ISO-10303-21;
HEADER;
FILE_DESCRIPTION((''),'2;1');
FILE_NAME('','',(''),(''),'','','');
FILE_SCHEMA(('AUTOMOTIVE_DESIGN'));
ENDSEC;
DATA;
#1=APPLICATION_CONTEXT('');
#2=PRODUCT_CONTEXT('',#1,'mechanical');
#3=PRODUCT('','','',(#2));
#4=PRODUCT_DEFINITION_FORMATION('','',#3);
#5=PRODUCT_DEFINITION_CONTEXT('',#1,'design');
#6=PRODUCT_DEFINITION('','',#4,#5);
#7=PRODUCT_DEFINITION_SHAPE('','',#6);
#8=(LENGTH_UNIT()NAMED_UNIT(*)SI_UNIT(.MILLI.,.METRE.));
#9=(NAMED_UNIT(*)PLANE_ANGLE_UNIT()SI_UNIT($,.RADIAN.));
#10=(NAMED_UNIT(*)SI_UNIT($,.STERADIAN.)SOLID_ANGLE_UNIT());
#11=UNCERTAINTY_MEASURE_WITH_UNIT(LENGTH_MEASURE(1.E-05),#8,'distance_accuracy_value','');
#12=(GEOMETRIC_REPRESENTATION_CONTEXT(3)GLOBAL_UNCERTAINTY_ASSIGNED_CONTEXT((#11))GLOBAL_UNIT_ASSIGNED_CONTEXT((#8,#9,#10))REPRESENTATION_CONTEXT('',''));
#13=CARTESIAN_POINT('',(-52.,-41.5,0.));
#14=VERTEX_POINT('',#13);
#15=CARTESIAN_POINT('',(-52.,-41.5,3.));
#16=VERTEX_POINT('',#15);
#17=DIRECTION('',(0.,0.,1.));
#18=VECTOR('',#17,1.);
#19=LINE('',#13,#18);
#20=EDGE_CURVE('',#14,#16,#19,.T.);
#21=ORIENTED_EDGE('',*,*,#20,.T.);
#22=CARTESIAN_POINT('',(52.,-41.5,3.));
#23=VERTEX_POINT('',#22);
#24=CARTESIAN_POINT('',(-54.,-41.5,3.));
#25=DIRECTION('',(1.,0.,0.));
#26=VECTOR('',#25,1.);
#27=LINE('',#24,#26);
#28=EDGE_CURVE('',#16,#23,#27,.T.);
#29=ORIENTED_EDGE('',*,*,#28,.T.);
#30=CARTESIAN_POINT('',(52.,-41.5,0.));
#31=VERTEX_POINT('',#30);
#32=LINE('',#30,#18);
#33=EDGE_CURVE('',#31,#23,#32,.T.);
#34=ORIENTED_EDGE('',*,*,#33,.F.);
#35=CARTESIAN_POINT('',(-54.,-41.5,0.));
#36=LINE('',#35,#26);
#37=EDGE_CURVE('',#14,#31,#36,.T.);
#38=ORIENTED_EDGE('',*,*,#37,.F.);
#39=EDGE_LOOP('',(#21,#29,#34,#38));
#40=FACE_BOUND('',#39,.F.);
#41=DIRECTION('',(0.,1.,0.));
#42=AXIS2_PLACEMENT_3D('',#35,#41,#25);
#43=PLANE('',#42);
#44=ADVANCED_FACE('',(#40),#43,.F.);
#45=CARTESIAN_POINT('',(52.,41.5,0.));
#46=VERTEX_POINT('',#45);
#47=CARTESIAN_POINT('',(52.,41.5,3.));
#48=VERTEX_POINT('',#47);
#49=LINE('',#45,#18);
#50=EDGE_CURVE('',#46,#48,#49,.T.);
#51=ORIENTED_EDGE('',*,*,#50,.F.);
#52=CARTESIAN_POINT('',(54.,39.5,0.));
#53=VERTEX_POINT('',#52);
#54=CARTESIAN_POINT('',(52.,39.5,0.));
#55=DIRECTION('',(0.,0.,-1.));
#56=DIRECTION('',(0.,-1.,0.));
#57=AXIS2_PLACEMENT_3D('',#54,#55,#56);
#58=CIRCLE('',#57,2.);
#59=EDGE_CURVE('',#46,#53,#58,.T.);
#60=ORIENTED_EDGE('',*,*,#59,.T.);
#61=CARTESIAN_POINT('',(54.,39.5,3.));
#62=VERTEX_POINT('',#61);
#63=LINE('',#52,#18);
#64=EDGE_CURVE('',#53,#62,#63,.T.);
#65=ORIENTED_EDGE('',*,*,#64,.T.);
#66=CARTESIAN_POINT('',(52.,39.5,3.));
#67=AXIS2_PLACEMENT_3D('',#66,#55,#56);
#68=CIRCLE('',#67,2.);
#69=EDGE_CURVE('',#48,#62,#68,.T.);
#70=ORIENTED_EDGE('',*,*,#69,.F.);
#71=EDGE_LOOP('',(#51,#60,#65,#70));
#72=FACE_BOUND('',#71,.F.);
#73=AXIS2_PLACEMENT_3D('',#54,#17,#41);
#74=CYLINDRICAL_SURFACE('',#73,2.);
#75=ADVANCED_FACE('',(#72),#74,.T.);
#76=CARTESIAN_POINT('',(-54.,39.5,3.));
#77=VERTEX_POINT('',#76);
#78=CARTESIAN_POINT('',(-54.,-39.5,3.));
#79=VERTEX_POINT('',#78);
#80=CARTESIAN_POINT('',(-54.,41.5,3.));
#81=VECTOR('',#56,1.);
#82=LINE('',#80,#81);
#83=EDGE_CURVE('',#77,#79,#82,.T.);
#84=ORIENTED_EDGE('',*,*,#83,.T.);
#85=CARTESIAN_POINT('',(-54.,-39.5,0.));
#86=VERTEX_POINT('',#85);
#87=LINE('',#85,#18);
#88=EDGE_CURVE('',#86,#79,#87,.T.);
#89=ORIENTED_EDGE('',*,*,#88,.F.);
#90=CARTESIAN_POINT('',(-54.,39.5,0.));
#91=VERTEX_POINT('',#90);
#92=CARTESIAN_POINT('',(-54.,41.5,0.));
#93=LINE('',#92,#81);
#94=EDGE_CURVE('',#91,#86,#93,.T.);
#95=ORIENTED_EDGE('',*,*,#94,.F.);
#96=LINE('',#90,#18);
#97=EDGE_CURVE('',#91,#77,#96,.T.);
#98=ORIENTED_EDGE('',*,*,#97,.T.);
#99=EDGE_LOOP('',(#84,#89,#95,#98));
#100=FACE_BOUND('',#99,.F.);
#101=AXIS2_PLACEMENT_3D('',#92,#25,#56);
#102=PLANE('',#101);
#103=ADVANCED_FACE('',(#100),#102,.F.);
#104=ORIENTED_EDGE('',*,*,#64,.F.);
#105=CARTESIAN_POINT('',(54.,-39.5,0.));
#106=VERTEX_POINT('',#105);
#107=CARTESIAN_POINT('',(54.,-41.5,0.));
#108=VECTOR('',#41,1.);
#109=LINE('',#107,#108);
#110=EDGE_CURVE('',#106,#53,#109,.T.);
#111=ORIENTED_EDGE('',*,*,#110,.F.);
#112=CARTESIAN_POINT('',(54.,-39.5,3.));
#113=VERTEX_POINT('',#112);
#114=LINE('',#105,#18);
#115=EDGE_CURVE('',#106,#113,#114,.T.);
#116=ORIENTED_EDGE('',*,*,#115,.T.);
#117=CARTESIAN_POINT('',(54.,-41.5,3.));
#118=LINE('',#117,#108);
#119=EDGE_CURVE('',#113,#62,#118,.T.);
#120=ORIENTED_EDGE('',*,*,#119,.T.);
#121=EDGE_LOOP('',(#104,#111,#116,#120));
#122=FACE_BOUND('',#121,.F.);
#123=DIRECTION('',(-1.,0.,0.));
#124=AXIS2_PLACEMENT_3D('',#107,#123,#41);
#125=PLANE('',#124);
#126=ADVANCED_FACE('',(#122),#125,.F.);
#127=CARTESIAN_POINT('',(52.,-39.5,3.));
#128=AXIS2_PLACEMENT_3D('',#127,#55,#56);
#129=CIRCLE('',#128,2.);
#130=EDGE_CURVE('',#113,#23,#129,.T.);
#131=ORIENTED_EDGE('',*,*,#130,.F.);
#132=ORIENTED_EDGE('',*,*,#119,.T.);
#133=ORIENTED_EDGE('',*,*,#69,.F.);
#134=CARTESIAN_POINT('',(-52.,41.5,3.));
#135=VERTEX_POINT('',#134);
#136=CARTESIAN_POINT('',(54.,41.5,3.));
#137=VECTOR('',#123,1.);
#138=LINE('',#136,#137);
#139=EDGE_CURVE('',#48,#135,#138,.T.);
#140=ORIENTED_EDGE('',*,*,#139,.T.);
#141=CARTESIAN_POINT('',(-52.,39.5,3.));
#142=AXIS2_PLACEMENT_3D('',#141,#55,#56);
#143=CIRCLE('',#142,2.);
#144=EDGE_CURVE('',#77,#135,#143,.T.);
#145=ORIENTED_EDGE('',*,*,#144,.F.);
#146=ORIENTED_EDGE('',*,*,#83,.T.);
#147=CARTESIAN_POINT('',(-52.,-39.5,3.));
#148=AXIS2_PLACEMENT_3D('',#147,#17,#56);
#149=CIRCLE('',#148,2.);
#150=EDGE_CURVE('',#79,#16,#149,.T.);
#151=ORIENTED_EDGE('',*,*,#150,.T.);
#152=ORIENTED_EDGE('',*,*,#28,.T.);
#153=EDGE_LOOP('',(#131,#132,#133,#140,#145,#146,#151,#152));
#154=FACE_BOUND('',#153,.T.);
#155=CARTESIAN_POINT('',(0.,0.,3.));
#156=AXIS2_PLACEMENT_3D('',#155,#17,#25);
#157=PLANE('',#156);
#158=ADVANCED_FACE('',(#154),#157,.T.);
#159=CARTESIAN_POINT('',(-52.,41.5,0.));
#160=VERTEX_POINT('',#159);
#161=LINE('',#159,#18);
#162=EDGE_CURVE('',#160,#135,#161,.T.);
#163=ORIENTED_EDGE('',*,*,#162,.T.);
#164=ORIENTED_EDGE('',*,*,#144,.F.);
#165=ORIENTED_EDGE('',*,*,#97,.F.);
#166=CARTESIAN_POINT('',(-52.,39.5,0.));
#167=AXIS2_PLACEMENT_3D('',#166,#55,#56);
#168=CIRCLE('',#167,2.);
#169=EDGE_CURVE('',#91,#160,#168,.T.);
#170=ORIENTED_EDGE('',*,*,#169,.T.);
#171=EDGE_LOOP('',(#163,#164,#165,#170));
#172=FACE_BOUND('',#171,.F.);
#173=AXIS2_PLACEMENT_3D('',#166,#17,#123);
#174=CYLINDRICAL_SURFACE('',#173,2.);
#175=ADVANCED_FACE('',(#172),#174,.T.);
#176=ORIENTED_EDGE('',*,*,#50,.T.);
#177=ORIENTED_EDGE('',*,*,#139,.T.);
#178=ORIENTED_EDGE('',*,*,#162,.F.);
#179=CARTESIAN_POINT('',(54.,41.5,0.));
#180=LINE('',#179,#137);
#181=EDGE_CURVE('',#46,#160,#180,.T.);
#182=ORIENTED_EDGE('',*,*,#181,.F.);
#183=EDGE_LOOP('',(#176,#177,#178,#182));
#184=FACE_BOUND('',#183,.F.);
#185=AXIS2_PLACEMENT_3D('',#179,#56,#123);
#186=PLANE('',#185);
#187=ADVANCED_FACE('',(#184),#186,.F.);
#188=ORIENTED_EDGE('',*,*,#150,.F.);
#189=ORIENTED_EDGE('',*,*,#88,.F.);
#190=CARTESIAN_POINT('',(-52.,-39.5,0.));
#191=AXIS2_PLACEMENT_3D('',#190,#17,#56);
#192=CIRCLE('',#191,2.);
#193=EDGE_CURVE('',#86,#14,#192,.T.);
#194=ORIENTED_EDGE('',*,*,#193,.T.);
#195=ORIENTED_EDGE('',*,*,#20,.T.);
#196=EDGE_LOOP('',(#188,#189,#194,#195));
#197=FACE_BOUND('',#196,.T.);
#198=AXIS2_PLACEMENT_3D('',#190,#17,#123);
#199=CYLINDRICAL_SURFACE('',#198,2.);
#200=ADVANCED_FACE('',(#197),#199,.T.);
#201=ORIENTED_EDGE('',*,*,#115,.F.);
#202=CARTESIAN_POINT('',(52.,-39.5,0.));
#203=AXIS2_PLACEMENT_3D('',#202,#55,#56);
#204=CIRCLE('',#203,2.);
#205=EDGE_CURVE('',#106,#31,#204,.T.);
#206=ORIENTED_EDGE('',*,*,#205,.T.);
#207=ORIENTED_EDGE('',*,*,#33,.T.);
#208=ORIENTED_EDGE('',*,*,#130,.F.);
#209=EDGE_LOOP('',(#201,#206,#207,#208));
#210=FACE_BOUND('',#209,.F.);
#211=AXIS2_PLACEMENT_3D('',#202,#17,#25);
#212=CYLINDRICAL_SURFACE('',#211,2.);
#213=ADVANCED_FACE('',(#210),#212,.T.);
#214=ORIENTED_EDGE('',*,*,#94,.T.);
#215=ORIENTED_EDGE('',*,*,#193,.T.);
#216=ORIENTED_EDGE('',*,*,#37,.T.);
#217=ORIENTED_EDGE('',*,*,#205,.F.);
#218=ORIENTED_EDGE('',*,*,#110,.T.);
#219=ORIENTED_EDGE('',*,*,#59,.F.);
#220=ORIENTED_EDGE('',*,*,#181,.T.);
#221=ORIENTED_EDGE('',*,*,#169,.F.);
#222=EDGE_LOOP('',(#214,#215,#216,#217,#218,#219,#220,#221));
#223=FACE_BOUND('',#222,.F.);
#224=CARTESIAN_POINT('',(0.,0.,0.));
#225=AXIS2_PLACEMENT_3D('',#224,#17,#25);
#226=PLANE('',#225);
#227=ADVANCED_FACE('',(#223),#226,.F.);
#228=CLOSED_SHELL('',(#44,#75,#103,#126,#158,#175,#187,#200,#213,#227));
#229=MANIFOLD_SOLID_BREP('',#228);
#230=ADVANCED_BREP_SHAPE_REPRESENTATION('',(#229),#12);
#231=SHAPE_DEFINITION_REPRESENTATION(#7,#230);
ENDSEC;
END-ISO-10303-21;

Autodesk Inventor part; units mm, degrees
ref_plane "YZ Plane" through (0, 0, 0) normal (1, 0, 0) x (0, 1, 0)
ref_plane "XZ Plane" through (0, 0, 0) normal (0, 1, 0) x (-1, 0, 0)
ref_plane "XY Plane" through (0, 0, 0) normal (0, 0, 1) x (1, 0, 0)
sketch "Esboço1" plane through (0, 0, 0) normal (0, 0, 1) x (1, 0, 0)
  line L0 (-54, -41.5) -> (54, -41.5)
  line L1 (54, -41.5) -> (54, 41.5)
  line L2 (54, 41.5) -> (-54, 41.5)
  line L3 (-54, 41.5) -> (-54, -41.5)
  line L4 (-54, -41.5) -> (54, 41.5) construction
  line L5 (54, -41.5) -> (-54, 41.5) construction
  point P0 (0, 0)
  dimension "d0" = 108
  dimension "d1" = 83
extrude "Extrusão1" add sketch "Esboço1" along normal blind 3
fillet "Arredondamento1" radius 2 4 edges at (54, 41.5, 1.5) (-54, 41.5, 1.5) (54, -41.5, 1.5) (-54, -41.5, 1.5)
properties part number "Tampa" material "PMMA plástico"
